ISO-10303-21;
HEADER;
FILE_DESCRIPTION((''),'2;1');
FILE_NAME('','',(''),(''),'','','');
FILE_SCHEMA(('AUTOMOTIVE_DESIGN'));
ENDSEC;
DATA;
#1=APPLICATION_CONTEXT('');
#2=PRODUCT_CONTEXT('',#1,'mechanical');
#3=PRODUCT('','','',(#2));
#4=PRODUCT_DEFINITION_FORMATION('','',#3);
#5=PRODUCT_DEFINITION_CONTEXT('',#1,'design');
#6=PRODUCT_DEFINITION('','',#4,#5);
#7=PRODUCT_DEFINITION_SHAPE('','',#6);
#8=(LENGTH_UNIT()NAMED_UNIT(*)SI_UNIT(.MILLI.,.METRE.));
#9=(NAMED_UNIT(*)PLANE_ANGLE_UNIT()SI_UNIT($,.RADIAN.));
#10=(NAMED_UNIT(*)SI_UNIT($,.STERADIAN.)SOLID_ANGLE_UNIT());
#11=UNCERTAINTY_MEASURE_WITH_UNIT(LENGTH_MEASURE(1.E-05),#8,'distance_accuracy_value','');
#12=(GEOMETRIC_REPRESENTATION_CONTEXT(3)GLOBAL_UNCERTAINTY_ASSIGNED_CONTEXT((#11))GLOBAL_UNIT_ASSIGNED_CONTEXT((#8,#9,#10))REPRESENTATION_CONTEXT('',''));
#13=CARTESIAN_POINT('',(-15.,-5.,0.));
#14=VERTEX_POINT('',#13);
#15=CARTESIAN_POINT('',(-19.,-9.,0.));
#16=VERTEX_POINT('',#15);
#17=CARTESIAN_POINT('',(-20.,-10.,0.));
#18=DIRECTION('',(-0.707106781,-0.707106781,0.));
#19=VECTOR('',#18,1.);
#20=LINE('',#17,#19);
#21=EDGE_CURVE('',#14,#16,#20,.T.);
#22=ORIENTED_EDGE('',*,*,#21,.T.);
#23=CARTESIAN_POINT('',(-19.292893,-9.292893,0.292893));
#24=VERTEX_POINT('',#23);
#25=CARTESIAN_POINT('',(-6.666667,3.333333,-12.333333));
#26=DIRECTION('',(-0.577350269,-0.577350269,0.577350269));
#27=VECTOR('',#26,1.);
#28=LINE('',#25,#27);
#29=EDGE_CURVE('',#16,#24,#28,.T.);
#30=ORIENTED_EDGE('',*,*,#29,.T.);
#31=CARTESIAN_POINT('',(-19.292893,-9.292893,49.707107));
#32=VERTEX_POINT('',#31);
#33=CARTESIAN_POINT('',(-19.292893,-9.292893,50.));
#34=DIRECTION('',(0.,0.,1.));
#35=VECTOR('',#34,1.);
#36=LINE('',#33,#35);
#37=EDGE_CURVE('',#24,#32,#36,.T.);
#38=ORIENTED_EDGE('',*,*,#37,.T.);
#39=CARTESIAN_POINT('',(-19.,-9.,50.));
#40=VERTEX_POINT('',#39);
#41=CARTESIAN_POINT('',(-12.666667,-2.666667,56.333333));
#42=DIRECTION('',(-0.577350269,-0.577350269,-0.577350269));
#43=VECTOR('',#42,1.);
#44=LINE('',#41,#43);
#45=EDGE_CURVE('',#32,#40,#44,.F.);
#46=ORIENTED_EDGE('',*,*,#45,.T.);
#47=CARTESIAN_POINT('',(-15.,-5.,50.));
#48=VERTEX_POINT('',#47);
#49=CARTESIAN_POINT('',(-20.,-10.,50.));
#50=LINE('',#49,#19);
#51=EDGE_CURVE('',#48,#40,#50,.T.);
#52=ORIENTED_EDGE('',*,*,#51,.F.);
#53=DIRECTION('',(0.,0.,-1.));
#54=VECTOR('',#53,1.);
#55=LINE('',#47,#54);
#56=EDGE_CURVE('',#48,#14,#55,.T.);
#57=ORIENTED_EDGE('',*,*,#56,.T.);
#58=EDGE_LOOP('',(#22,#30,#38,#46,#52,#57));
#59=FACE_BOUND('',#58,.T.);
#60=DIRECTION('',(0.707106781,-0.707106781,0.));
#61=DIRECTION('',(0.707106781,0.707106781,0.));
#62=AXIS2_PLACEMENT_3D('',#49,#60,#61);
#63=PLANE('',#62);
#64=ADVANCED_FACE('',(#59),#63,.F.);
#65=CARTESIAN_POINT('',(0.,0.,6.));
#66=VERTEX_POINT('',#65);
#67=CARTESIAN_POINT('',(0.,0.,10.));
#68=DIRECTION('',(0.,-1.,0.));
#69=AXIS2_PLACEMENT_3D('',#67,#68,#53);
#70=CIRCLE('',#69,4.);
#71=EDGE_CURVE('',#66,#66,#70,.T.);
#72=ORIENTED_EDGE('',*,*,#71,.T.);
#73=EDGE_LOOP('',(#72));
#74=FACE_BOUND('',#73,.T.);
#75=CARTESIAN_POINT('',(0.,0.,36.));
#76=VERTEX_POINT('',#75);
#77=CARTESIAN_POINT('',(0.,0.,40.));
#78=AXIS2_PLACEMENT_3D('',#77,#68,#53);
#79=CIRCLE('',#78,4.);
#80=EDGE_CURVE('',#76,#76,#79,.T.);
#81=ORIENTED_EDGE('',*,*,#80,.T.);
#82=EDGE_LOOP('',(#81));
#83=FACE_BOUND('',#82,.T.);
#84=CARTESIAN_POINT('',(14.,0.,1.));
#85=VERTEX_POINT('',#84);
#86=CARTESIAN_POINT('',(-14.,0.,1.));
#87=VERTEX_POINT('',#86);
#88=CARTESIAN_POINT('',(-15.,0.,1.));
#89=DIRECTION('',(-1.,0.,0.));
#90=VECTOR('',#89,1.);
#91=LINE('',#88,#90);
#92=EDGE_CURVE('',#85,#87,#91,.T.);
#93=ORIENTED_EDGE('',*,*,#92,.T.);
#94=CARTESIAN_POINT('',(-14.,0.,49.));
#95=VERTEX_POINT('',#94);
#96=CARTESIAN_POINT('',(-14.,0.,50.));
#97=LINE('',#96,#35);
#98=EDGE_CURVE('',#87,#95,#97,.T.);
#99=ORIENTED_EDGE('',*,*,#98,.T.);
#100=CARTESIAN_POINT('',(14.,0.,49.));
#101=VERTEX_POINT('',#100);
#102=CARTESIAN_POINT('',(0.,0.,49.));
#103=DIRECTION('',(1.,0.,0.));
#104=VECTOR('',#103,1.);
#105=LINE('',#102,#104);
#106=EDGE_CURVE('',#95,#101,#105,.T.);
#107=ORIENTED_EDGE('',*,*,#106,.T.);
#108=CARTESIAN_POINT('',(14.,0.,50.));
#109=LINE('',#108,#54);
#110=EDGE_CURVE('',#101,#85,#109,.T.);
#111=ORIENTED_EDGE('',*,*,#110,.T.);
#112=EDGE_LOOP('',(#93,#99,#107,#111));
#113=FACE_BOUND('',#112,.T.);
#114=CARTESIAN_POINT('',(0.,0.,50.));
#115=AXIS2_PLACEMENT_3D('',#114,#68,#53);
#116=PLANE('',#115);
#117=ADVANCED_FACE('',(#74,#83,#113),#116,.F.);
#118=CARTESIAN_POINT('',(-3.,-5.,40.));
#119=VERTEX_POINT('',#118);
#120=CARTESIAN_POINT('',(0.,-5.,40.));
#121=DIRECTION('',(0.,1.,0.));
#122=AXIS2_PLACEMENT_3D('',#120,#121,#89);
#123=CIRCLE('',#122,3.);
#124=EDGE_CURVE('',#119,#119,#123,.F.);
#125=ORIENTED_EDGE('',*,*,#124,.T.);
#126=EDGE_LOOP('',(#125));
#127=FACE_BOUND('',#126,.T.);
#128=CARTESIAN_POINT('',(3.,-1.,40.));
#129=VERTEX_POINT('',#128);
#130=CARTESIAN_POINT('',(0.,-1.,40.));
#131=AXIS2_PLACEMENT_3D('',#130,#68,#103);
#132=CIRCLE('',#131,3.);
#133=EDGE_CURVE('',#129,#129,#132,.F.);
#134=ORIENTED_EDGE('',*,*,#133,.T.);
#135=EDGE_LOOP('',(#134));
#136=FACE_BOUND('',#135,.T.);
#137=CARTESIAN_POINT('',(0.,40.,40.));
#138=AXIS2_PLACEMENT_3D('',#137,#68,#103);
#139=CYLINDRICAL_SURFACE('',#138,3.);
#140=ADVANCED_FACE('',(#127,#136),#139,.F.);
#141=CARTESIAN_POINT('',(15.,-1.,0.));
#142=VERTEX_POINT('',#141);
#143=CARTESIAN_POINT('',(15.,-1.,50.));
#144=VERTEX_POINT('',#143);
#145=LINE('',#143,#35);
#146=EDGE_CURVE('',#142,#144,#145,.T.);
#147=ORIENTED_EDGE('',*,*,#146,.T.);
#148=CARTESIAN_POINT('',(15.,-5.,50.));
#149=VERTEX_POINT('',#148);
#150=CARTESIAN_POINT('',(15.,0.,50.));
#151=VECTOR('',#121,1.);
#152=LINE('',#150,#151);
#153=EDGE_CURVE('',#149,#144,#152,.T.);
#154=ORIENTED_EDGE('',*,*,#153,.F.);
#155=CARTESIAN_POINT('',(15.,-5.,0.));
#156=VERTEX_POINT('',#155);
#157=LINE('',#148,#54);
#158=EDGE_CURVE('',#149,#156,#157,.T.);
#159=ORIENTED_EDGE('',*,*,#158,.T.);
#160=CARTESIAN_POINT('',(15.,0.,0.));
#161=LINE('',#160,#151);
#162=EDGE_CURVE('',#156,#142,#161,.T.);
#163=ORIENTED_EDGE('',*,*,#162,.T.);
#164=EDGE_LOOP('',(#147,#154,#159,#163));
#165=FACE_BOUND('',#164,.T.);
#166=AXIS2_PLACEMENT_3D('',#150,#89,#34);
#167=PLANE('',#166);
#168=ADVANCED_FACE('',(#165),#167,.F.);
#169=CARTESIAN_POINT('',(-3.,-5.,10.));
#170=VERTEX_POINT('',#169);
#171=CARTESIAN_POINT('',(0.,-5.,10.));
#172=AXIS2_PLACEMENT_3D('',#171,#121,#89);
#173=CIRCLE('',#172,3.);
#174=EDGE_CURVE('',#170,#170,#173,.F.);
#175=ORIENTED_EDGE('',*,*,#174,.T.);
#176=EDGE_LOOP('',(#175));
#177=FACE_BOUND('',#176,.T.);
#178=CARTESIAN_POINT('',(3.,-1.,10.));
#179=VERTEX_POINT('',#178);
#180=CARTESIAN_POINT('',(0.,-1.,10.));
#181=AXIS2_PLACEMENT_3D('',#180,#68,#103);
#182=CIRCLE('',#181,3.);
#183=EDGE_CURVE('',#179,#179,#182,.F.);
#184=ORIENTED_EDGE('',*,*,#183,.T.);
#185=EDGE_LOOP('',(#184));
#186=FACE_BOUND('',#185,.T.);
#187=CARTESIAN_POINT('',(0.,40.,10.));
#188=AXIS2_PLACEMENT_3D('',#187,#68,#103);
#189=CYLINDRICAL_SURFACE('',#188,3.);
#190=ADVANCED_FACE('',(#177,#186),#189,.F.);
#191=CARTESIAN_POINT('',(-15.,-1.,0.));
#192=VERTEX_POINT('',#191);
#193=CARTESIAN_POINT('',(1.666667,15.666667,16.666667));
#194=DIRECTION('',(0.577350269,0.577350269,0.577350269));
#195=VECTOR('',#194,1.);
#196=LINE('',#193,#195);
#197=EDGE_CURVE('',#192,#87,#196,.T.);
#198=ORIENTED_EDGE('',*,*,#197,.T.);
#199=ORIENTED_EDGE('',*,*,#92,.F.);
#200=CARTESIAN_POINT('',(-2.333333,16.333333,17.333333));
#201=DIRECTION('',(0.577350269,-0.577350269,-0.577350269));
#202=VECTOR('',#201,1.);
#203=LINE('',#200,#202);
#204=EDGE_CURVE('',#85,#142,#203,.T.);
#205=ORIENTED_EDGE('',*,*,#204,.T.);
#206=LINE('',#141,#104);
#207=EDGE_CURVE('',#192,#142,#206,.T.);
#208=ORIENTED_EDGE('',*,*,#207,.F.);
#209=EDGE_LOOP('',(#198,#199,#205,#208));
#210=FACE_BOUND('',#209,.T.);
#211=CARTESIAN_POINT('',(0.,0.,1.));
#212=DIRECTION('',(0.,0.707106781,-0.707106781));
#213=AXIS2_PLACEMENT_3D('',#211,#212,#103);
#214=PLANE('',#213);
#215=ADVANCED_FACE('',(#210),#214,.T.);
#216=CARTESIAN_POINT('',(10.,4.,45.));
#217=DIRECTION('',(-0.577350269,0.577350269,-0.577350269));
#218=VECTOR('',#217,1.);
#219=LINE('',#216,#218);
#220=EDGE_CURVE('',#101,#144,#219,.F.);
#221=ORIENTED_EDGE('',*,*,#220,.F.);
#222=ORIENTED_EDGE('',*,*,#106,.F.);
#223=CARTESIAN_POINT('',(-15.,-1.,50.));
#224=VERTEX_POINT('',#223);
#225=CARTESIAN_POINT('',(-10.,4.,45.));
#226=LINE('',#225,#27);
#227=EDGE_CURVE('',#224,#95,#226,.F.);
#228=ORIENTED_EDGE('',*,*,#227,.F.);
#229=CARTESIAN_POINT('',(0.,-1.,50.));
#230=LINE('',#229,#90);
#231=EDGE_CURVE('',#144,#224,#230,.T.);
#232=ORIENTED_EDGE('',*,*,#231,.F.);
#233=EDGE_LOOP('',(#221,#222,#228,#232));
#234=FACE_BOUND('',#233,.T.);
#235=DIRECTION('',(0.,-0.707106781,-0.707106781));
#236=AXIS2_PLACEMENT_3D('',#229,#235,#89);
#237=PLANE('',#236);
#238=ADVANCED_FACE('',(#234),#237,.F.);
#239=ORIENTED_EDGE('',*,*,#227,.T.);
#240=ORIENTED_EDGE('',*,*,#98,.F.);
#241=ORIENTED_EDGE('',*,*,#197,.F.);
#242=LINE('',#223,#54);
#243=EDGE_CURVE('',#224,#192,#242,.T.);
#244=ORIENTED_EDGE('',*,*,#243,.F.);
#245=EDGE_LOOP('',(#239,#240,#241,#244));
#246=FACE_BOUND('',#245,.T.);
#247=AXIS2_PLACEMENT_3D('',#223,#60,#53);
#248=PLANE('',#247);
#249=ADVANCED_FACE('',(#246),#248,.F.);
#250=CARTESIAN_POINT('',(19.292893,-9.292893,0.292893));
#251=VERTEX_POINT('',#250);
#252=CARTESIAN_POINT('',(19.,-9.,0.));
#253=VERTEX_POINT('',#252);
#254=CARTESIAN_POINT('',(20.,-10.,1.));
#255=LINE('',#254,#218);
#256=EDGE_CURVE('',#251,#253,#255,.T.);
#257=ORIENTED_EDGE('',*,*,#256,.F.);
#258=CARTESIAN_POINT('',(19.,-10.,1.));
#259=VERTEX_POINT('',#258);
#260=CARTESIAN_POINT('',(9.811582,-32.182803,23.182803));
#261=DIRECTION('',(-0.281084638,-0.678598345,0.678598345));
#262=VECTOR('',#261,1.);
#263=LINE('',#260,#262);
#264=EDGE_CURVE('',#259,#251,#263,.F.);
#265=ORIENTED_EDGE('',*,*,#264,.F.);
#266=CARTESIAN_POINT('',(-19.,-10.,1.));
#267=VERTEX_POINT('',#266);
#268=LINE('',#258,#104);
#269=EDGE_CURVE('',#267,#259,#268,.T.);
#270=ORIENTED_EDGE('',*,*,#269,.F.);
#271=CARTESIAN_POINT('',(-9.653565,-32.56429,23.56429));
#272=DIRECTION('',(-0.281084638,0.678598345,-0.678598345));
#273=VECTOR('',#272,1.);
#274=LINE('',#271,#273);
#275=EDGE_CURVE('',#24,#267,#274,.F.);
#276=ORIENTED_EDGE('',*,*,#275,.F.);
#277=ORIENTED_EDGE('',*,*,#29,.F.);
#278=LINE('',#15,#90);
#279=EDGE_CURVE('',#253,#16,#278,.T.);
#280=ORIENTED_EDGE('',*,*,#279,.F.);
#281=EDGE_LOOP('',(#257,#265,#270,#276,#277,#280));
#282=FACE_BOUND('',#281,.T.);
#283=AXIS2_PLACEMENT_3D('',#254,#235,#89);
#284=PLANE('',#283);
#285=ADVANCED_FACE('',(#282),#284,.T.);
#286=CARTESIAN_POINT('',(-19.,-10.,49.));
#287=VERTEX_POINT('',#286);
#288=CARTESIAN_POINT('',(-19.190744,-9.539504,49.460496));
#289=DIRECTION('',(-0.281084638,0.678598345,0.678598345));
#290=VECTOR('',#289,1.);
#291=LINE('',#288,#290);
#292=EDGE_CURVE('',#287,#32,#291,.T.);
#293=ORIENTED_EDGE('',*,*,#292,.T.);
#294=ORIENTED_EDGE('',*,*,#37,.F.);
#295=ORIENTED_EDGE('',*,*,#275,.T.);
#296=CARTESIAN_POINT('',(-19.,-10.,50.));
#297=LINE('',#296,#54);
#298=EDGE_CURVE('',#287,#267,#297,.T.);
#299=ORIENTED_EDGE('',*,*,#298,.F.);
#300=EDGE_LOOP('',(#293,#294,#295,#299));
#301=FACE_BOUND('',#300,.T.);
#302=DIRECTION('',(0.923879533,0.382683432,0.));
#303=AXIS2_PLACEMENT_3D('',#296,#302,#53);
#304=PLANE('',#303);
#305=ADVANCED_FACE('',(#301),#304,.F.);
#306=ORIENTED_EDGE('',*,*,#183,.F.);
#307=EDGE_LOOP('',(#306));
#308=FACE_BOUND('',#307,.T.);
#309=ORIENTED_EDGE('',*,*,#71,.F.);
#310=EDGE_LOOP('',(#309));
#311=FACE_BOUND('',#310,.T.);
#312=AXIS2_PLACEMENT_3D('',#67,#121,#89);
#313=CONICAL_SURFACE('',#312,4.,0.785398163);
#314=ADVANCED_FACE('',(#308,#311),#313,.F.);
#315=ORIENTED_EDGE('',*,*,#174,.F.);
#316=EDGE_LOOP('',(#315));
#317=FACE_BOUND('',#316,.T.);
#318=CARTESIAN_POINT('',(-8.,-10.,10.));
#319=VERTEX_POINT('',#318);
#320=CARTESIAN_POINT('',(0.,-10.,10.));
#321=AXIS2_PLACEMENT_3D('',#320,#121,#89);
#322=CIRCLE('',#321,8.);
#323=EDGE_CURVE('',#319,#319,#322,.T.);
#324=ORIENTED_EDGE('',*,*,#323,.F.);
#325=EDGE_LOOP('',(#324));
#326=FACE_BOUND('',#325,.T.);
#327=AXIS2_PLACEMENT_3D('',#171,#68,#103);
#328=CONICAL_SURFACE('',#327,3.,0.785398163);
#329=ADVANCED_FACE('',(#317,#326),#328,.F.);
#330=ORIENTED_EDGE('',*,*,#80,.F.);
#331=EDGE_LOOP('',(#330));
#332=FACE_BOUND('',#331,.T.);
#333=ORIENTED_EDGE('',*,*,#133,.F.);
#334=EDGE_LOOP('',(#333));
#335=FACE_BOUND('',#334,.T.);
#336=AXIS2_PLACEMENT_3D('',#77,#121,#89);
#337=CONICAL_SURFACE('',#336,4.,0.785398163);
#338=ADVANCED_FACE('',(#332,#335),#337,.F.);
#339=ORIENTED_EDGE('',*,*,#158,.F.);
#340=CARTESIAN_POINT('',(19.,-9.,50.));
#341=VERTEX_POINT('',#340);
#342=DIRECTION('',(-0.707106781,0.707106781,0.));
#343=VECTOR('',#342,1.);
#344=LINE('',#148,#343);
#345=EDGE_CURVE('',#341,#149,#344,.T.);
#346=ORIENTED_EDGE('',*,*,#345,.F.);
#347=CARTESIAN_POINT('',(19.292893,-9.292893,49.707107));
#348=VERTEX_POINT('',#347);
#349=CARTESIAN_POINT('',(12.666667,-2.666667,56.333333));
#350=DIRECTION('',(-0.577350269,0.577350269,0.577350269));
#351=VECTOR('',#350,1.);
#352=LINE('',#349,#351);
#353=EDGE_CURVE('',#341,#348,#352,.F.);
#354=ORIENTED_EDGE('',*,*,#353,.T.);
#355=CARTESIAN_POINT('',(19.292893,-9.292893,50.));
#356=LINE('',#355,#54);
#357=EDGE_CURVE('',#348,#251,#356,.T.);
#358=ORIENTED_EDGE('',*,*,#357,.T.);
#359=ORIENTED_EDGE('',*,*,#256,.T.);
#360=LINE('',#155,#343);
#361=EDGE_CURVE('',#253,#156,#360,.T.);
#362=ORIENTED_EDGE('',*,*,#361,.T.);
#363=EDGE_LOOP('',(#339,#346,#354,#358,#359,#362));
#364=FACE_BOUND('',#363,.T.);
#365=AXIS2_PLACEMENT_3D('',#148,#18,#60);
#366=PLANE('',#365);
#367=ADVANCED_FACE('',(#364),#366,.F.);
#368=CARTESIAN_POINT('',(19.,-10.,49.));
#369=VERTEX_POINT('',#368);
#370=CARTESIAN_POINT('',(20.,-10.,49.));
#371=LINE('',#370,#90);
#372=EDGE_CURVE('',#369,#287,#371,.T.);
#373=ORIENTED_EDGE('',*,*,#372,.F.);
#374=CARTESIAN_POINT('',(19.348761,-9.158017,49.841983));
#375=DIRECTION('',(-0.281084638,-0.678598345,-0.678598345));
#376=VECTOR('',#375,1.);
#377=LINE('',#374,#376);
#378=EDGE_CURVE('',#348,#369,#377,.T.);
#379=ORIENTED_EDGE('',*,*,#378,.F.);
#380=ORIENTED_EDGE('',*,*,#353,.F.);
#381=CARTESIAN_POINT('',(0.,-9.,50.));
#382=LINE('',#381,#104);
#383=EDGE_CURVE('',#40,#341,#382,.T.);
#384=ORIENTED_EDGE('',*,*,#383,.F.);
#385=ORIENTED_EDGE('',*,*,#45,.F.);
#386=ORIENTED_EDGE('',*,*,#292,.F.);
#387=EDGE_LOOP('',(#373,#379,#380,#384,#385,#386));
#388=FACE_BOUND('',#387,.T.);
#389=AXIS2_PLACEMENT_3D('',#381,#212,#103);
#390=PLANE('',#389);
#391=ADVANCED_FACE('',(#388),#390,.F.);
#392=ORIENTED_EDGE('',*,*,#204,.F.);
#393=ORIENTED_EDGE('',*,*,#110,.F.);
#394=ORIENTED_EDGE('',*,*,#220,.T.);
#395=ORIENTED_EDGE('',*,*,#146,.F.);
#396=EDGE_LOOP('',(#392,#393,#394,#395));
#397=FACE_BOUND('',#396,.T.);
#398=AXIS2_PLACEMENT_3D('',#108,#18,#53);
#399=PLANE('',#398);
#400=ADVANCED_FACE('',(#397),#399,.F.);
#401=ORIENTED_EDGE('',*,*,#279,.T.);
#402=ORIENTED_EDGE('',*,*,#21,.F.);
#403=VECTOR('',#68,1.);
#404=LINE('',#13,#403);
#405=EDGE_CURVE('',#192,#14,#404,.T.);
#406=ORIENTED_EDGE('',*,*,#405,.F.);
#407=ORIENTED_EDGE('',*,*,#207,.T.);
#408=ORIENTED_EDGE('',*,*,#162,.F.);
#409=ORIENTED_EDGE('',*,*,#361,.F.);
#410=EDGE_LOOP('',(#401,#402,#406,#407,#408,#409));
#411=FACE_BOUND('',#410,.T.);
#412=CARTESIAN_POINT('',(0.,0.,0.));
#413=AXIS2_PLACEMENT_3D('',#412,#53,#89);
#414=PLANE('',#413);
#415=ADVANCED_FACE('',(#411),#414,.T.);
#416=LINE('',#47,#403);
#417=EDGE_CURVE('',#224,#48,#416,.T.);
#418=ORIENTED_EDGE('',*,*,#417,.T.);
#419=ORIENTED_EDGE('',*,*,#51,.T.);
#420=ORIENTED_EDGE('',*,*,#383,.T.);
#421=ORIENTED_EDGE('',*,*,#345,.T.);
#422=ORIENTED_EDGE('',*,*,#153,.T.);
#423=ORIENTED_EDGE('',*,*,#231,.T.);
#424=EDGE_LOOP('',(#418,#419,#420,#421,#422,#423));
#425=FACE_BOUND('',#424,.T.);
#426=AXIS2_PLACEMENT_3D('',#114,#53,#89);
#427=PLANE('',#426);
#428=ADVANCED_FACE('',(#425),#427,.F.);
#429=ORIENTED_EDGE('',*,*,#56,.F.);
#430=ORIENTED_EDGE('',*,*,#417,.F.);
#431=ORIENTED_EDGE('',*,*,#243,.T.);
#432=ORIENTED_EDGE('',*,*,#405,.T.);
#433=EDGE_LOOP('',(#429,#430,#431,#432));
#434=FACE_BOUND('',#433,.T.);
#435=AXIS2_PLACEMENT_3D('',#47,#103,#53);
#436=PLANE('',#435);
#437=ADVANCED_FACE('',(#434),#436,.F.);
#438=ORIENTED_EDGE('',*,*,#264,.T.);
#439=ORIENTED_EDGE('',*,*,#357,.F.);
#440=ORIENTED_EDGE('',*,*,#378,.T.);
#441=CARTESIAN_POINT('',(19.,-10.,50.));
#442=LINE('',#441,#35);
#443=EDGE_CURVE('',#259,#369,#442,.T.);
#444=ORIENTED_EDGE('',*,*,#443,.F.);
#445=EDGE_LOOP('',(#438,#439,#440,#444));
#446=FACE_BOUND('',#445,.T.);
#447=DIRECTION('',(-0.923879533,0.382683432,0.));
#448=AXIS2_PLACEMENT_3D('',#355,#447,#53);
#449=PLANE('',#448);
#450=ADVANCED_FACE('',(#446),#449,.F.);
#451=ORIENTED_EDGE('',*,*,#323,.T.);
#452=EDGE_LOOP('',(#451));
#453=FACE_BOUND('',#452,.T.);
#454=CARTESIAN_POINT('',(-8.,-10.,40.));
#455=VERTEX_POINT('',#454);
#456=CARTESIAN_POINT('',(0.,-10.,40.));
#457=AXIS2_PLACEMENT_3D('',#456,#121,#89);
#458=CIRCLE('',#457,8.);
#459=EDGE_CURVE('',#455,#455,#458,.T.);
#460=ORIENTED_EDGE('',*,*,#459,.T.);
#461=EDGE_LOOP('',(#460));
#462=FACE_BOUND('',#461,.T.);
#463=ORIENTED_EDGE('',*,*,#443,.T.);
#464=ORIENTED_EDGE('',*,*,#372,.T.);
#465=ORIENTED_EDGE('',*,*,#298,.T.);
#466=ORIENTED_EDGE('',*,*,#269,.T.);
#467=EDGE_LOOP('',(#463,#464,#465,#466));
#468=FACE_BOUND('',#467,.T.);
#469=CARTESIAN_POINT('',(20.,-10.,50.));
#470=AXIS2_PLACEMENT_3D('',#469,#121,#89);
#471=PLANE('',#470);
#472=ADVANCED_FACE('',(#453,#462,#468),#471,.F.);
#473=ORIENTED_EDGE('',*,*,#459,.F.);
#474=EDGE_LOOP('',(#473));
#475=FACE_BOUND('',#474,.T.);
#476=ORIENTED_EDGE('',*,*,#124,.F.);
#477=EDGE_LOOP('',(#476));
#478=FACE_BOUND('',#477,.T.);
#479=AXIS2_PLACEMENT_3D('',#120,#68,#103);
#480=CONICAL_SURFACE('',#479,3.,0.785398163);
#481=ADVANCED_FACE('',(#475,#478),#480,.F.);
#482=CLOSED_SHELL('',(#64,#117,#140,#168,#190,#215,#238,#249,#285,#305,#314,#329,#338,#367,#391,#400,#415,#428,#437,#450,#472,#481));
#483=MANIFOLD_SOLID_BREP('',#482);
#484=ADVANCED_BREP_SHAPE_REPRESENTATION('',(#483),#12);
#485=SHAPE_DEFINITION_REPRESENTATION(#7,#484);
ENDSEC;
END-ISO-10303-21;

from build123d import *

# Parameters (mm, degrees)
EXTRUDE_1_DEPTH     = 50
SKETCH_4_R          = 3
CUT_EXTRUDE_1_DEPTH = 50
CHAMFER_1_SIZE      = 5
CHAMFER_2_SIZE      = 5
CHAMFER_4_SIZE      = 1
CHAMFER_5_SIZE      = 1
CHAMFER_6_SIZE      = 1


with BuildPart() as part:
    # 草图2 → 凸台-拉伸1 (new body)
    with BuildSketch(Plane.XY):
        Polygon((0, 0), (15, 0), (15, -5), (20, -10), (-20, -10), (-15, -5), (-15, 0), align=None)
    extrude(amount=EXTRUDE_1_DEPTH)

    # 草图4 → 切除-拉伸1 (cut)
    with BuildSketch(Plane.XZ.offset(10)):
        with Locations((0, 40)):
            Circle(SKETCH_4_R)
        with Locations((0, 10)):
            Circle(SKETCH_4_R)
    extrude(amount=-CUT_EXTRUDE_1_DEPTH, mode=Mode.SUBTRACT)

    # 倒角1
    chamfer_1_edges = [part.edges().sort_by_distance(p)[0] for p in [
        (-3, -10, 10),
    ]]
    chamfer(chamfer_1_edges, length=CHAMFER_1_SIZE)

    # 倒角2
    chamfer_2_edges = [part.edges().sort_by_distance(p)[0] for p in [
        (-3, -10, 40),
    ]]
    chamfer(chamfer_2_edges, length=CHAMFER_2_SIZE)

    # 倒角4
    chamfer_4_edges = [part.edges().sort_by_distance(p)[0] for p in [
        (15, 0, 25),
        (-15, 0, 25),
        (-3, 0, 40),
        (-3, 0, 10),
        (0, 0, 50),
        (0, 0, 0),
    ]]
    chamfer(chamfer_4_edges, length=CHAMFER_4_SIZE)

    # 倒角5
    chamfer_5_edges = [part.edges().sort_by_distance(p)[0] for p in [
        (20, -10, 25),
        (-20, -10, 25),
    ]]
    chamfer(chamfer_5_edges, length=CHAMFER_5_SIZE)

    # 倒角6
    chamfer_6_edges = [part.edges().sort_by_distance(p)[0] for p in [
        (0, -10, 0),
        (0, -10, 50),
    ]]
    chamfer(chamfer_6_edges, length=CHAMFER_6_SIZE)


solid = part.part
